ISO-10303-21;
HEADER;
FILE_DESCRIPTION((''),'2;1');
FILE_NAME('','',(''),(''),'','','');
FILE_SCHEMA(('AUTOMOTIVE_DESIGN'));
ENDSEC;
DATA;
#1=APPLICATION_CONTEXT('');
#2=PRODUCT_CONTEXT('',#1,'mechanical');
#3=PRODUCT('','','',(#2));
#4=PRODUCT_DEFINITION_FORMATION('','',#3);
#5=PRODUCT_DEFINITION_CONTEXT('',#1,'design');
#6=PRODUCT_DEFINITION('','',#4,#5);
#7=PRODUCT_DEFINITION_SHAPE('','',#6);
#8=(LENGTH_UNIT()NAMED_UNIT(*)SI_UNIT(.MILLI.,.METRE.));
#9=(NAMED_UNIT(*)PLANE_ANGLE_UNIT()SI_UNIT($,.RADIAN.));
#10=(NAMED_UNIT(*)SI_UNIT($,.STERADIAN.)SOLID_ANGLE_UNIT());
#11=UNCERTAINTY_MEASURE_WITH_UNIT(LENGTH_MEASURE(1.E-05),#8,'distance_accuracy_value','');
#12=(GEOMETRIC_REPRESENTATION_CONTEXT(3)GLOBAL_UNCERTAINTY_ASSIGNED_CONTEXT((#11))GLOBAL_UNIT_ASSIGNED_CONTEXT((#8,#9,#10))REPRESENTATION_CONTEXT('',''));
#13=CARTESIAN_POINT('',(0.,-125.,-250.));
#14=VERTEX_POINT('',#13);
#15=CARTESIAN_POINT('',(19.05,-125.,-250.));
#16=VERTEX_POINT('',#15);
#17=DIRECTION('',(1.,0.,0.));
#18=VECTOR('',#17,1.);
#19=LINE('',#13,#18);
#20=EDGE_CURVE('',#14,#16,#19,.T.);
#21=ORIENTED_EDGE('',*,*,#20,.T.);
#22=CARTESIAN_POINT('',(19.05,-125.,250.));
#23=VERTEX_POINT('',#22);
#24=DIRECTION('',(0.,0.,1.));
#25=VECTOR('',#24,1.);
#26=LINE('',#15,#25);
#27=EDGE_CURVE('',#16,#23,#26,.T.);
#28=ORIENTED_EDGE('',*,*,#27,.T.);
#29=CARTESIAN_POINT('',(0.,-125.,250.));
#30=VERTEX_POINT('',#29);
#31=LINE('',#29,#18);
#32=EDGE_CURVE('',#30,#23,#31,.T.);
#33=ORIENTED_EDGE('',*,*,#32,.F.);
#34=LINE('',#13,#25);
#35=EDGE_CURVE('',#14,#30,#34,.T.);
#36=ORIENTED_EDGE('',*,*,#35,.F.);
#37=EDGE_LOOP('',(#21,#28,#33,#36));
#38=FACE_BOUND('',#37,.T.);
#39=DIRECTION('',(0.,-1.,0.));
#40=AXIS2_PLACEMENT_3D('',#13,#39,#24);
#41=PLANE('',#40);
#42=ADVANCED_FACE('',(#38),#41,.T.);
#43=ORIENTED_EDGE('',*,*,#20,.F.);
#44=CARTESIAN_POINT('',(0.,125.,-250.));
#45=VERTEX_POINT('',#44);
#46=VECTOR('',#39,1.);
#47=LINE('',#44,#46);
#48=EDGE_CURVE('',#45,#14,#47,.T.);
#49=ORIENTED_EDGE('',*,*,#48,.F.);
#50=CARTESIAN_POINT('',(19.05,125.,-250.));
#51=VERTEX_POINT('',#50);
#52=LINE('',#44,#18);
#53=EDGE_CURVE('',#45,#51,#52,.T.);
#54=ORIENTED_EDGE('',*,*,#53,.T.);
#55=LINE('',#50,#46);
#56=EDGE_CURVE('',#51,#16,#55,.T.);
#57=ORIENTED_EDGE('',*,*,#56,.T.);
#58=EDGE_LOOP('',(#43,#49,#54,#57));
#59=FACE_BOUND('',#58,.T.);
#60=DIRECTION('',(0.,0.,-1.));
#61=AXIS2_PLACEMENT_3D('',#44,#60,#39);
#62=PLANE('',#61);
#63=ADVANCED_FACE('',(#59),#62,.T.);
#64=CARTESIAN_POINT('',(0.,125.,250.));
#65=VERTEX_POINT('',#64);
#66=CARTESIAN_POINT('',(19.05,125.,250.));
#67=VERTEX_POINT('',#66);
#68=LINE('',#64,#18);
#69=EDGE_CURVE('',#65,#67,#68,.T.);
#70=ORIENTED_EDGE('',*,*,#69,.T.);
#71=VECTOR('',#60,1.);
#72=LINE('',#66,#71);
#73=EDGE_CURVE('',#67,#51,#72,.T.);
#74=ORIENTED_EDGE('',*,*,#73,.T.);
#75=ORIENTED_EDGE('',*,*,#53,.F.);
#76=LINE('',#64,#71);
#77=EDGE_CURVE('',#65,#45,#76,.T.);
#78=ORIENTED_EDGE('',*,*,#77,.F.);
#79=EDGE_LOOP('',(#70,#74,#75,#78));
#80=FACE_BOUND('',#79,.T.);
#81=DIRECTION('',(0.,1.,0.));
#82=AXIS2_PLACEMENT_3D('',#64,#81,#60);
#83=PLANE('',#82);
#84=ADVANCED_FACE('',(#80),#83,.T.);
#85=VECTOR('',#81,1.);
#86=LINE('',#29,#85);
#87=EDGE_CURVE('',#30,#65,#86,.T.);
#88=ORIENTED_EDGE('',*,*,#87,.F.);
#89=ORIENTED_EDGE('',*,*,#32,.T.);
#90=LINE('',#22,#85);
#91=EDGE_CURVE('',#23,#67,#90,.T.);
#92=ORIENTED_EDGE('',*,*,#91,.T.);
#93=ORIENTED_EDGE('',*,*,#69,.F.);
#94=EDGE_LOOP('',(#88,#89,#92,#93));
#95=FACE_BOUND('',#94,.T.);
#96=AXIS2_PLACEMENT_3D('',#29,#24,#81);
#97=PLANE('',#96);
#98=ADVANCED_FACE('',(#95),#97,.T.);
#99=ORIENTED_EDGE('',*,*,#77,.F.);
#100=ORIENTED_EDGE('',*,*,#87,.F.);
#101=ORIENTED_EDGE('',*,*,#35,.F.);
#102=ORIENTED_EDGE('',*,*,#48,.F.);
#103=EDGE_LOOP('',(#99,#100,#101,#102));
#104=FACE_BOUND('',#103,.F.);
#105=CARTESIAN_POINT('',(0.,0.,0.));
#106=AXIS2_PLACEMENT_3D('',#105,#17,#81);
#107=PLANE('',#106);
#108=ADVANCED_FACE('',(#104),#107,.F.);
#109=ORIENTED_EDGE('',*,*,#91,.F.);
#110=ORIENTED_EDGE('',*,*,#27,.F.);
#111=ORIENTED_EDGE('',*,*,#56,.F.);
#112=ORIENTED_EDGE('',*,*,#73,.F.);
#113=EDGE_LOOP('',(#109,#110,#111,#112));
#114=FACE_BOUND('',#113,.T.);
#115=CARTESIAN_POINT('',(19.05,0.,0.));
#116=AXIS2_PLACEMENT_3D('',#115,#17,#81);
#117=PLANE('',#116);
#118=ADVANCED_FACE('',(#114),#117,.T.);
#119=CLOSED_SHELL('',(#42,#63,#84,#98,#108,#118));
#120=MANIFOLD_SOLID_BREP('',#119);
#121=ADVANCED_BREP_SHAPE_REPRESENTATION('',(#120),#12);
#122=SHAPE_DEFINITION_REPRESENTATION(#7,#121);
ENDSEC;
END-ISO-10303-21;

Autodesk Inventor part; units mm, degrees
ref_plane "YZ Plane" through (0, 0, 0) normal (1, 0, 0) x (0, 1, 0)
ref_plane "XZ Plane" through (0, 0, 0) normal (0, 1, 0) x (-1, 0, 0)
ref_plane "XY Plane" through (0, 0, 0) normal (0, 0, 1) x (1, 0, 0)
sketch "Sketch1" plane through (0, 0, 0) normal (1, 0, 0) x (0, 1, 0)
  line L0 (-125, 250) -> (125, 250)
  line L1 (125, 250) -> (125, -250)
  line L2 (125, -250) -> (-125, -250)
  line L3 (-125, -250) -> (-125, 250)
  line L4 (-125, 250) -> (125, -250) construction
  line L5 (125, 250) -> (-125, -250) construction
  point P0 (0, 0)
  dimension "height" = 250
  dimension "length" = 500
extrude "Extrusion1" add sketch "Sketch1" along normal blind 19.05
properties part number "Creat Side" material "Wood (Cherry)"
